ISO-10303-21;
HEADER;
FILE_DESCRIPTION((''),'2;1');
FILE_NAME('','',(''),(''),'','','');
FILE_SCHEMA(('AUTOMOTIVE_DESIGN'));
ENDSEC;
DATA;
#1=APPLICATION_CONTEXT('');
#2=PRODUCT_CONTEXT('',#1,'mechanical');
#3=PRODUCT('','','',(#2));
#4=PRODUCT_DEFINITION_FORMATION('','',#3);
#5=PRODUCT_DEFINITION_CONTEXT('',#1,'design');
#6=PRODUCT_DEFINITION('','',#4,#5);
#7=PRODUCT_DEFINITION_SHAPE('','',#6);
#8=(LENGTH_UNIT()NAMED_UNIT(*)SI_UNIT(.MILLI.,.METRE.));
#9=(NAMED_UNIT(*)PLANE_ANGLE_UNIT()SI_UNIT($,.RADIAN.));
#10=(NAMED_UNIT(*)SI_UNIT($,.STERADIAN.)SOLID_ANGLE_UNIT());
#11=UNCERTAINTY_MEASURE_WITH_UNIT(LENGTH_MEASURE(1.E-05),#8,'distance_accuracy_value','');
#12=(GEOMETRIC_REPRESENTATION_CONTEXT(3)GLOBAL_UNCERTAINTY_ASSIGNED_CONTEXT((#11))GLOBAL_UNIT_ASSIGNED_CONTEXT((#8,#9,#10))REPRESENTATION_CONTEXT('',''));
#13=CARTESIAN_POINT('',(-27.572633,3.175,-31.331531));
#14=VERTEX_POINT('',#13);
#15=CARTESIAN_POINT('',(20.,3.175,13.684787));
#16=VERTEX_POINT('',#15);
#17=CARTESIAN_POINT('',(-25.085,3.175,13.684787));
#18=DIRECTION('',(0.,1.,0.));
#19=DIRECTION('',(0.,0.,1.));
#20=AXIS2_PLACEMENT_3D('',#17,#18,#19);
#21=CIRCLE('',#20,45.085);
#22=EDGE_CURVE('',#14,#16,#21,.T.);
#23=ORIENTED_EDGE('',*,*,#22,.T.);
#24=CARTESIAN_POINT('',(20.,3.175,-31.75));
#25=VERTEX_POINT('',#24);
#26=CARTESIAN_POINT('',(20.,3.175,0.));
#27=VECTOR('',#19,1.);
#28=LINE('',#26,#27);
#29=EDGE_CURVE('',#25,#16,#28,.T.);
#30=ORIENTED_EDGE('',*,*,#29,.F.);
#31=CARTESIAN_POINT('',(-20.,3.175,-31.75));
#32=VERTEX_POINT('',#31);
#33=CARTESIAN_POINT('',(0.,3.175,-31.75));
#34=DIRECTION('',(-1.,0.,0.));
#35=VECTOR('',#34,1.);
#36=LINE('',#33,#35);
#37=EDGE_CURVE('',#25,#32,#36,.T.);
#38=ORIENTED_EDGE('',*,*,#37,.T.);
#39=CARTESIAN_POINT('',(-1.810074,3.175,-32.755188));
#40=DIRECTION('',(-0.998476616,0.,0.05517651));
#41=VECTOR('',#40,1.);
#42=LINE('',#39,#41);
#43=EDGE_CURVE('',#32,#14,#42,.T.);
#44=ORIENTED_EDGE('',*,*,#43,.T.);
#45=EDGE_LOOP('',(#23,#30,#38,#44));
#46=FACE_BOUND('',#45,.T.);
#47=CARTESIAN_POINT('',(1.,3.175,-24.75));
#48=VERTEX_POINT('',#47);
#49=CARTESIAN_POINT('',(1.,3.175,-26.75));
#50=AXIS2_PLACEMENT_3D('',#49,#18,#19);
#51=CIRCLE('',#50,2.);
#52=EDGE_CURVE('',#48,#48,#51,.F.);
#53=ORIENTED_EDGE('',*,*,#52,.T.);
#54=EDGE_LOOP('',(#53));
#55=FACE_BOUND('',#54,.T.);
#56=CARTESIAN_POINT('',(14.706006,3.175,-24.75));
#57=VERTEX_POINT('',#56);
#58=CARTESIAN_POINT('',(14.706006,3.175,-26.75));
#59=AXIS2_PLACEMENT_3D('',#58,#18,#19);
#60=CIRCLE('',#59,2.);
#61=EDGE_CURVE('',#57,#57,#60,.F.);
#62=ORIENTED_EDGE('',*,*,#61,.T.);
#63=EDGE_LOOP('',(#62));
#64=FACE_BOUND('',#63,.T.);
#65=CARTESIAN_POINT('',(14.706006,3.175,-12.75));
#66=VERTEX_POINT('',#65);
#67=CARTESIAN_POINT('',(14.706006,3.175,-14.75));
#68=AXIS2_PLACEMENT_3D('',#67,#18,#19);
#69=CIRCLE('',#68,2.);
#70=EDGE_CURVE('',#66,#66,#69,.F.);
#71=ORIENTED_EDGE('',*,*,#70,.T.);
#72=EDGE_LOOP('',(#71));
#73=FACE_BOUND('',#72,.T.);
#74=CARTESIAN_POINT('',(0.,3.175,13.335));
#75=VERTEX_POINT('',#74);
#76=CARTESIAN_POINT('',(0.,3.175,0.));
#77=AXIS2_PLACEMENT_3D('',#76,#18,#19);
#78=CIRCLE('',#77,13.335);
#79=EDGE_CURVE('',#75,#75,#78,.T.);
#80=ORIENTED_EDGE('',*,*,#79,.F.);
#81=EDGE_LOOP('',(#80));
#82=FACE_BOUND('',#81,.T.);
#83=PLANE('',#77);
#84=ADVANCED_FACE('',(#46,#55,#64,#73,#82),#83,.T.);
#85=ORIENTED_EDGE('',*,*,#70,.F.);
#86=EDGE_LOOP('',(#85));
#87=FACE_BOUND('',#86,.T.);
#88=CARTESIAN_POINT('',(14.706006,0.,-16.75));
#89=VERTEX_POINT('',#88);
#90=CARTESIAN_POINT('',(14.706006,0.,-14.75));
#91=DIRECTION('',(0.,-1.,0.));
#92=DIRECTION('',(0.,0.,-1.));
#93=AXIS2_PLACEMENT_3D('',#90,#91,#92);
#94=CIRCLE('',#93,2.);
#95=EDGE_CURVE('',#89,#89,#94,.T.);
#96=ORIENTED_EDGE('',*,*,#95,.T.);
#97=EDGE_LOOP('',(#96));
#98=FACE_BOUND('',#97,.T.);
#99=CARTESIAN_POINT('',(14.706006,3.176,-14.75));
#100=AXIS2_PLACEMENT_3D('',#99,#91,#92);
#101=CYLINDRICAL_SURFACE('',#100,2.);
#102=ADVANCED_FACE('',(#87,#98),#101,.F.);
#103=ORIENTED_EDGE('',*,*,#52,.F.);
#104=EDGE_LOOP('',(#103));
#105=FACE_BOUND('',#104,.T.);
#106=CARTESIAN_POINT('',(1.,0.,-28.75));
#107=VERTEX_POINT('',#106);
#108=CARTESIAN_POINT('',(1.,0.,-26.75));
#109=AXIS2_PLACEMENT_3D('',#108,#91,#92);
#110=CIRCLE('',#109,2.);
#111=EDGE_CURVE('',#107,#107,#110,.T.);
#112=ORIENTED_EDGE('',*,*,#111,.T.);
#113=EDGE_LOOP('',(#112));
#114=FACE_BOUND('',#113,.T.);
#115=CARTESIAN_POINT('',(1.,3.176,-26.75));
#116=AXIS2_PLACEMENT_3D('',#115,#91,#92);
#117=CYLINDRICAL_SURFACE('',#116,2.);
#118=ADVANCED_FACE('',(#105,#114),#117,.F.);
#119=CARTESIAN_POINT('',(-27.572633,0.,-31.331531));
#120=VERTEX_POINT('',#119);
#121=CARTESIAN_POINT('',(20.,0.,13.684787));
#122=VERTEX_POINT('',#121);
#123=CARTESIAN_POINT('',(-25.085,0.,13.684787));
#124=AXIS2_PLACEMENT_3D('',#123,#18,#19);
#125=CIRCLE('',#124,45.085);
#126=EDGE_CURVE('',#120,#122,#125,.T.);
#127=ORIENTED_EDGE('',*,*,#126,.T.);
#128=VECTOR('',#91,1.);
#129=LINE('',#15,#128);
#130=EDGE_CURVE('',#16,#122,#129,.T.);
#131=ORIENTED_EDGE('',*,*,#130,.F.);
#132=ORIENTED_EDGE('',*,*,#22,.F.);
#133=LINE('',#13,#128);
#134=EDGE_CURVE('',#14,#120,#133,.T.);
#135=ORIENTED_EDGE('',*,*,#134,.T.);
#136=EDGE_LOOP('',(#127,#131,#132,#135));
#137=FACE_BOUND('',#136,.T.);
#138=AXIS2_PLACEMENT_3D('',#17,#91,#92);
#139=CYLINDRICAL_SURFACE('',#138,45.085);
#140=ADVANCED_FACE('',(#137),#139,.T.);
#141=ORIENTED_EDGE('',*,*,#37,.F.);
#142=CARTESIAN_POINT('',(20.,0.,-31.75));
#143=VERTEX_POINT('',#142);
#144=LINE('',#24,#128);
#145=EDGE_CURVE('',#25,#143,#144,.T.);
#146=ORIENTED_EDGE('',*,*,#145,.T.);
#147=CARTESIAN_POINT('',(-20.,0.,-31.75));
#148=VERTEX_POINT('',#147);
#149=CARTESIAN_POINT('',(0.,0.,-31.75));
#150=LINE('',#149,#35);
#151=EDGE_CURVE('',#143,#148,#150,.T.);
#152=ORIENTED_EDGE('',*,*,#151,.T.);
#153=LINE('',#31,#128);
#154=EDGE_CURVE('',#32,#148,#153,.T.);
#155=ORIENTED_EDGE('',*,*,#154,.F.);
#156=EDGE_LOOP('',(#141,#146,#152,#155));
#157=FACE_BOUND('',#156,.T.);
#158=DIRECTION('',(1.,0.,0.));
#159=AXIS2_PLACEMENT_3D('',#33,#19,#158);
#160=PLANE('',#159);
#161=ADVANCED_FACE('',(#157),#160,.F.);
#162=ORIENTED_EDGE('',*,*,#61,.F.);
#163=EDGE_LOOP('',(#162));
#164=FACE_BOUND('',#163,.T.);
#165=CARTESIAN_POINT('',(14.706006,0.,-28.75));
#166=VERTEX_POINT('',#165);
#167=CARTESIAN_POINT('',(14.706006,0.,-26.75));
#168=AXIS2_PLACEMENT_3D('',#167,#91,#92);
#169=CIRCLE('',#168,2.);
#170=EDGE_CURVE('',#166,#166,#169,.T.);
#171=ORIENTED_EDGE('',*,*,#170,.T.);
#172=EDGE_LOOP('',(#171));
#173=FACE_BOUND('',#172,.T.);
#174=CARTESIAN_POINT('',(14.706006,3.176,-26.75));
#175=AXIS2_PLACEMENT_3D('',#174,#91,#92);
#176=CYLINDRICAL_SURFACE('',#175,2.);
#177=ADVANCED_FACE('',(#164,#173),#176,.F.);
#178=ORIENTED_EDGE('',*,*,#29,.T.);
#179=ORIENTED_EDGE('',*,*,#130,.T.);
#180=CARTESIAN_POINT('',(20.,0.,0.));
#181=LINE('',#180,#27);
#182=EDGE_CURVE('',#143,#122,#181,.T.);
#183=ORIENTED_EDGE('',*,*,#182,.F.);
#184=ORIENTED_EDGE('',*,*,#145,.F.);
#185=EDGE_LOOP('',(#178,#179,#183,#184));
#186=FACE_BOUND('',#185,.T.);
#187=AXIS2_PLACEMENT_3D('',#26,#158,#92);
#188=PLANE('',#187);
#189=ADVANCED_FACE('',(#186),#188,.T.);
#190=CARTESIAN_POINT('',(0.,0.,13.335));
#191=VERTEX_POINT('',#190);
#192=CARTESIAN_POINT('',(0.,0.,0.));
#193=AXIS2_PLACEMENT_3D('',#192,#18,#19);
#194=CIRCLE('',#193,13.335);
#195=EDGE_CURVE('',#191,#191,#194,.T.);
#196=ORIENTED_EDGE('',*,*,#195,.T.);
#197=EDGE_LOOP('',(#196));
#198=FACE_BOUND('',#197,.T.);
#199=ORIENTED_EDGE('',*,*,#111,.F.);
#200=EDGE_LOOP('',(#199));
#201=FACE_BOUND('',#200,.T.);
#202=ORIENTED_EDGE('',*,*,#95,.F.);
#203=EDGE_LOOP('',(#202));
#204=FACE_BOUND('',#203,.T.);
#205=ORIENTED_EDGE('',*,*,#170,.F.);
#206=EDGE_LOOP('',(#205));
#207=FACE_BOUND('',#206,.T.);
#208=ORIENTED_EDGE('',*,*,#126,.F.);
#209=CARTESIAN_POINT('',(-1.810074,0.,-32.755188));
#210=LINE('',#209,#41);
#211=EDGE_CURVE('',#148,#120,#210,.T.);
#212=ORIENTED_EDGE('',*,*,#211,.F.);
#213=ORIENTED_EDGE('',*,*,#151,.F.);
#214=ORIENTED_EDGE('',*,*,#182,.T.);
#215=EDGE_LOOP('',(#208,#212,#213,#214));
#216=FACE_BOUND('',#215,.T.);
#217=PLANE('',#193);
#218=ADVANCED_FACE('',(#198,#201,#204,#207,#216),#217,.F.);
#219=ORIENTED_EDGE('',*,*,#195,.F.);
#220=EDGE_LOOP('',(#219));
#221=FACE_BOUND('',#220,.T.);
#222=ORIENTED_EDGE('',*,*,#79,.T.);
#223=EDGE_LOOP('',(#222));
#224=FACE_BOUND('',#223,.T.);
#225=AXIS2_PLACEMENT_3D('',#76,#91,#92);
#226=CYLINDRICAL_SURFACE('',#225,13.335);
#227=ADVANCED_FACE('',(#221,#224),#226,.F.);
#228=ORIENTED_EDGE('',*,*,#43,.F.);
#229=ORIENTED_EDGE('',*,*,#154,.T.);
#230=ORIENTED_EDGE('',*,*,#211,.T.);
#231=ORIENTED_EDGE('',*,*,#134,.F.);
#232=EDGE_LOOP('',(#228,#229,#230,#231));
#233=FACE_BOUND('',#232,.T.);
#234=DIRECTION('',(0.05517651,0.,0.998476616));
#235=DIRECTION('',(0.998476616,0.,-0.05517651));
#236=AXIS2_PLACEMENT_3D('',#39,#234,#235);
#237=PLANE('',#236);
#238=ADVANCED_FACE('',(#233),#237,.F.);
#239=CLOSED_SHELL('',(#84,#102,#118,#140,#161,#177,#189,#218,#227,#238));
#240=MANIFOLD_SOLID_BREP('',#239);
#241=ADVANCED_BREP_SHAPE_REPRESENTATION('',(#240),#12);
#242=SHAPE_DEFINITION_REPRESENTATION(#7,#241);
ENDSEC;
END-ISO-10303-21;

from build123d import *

# Parameters (mm, degrees)
SKETCH1_R           = 13.335
BOSS_EXTRUDE1_DEPTH = 3.175
CUT_EXTRUDE1_REACH  = 93.585
SKETCH2_R           = 2


with BuildPart() as part:
    # Sketch1 → Boss-Extrude1 (new body)
    with BuildSketch(Plane(origin=(0, 0, 0), x_dir=(1, 0, 0), z_dir=(0, 1, 0))):
        with BuildLine():
            Line((-20.000000005, 31.75), (-27.57263297, 31.331531049))
            ThreePointArc((-27.57263297, 31.331531049), (-56.072919353, -46.432398987), (20.000000005, -13.684787183))
            Line((20.000000005, -13.684787183), (20.000000005, 31.75))
            Line((20.000000005, 31.75), (-20.000000005, 31.75))
        make_face()
        with Locations(Location((0, 0, 0), (0, 0, 270))):
            Circle(SKETCH1_R, mode=Mode.SUBTRACT)
    extrude(amount=BOSS_EXTRUDE1_DEPTH)

    # Sketch2 → Cut-Extrude1 (cut, up to next)
    with BuildSketch(Plane.XZ, mode=Mode.PRIVATE) as cut_extrude1_sk1:
        with Locations(Location((14.706006433, -14.75, 0), (0, 0, 270))):
            Circle(SKETCH2_R)
    cut_extrude1_tool1 = extrude(cut_extrude1_sk1.sketch, amount=-CUT_EXTRUDE1_REACH, mode=Mode.PRIVATE) & part.part
    # Sketch2 → Cut-Extrude1 (cut, up to next)
    with BuildSketch(Plane.XZ, mode=Mode.PRIVATE) as cut_extrude1_sk2:
        with Locations(Location((14.706006433, -26.75, 0), (0, 0, 270))):
            Circle(SKETCH2_R)
    cut_extrude1_tool2 = extrude(cut_extrude1_sk2.sketch, amount=-CUT_EXTRUDE1_REACH, mode=Mode.PRIVATE) & part.part
    # Sketch2 → Cut-Extrude1 (cut, up to next)
    with BuildSketch(Plane.XZ, mode=Mode.PRIVATE) as cut_extrude1_sk3:
        with Locations(Location((1, -26.75, 0), (0, 0, 270))):
            Circle(SKETCH2_R)
    cut_extrude1_tool3 = extrude(cut_extrude1_sk3.sketch, amount=-CUT_EXTRUDE1_REACH, mode=Mode.PRIVATE) & part.part
    add(cut_extrude1_tool1.solids().sort_by_distance((14.706006, 0, -14.75))[0], mode=Mode.SUBTRACT)
    add(cut_extrude1_tool2.solids().sort_by_distance((14.706006, 0, -26.75))[0], mode=Mode.SUBTRACT)
    add(cut_extrude1_tool3.solids().sort_by_distance((1, 0, -26.75))[0], mode=Mode.SUBTRACT)


solid = part.part
